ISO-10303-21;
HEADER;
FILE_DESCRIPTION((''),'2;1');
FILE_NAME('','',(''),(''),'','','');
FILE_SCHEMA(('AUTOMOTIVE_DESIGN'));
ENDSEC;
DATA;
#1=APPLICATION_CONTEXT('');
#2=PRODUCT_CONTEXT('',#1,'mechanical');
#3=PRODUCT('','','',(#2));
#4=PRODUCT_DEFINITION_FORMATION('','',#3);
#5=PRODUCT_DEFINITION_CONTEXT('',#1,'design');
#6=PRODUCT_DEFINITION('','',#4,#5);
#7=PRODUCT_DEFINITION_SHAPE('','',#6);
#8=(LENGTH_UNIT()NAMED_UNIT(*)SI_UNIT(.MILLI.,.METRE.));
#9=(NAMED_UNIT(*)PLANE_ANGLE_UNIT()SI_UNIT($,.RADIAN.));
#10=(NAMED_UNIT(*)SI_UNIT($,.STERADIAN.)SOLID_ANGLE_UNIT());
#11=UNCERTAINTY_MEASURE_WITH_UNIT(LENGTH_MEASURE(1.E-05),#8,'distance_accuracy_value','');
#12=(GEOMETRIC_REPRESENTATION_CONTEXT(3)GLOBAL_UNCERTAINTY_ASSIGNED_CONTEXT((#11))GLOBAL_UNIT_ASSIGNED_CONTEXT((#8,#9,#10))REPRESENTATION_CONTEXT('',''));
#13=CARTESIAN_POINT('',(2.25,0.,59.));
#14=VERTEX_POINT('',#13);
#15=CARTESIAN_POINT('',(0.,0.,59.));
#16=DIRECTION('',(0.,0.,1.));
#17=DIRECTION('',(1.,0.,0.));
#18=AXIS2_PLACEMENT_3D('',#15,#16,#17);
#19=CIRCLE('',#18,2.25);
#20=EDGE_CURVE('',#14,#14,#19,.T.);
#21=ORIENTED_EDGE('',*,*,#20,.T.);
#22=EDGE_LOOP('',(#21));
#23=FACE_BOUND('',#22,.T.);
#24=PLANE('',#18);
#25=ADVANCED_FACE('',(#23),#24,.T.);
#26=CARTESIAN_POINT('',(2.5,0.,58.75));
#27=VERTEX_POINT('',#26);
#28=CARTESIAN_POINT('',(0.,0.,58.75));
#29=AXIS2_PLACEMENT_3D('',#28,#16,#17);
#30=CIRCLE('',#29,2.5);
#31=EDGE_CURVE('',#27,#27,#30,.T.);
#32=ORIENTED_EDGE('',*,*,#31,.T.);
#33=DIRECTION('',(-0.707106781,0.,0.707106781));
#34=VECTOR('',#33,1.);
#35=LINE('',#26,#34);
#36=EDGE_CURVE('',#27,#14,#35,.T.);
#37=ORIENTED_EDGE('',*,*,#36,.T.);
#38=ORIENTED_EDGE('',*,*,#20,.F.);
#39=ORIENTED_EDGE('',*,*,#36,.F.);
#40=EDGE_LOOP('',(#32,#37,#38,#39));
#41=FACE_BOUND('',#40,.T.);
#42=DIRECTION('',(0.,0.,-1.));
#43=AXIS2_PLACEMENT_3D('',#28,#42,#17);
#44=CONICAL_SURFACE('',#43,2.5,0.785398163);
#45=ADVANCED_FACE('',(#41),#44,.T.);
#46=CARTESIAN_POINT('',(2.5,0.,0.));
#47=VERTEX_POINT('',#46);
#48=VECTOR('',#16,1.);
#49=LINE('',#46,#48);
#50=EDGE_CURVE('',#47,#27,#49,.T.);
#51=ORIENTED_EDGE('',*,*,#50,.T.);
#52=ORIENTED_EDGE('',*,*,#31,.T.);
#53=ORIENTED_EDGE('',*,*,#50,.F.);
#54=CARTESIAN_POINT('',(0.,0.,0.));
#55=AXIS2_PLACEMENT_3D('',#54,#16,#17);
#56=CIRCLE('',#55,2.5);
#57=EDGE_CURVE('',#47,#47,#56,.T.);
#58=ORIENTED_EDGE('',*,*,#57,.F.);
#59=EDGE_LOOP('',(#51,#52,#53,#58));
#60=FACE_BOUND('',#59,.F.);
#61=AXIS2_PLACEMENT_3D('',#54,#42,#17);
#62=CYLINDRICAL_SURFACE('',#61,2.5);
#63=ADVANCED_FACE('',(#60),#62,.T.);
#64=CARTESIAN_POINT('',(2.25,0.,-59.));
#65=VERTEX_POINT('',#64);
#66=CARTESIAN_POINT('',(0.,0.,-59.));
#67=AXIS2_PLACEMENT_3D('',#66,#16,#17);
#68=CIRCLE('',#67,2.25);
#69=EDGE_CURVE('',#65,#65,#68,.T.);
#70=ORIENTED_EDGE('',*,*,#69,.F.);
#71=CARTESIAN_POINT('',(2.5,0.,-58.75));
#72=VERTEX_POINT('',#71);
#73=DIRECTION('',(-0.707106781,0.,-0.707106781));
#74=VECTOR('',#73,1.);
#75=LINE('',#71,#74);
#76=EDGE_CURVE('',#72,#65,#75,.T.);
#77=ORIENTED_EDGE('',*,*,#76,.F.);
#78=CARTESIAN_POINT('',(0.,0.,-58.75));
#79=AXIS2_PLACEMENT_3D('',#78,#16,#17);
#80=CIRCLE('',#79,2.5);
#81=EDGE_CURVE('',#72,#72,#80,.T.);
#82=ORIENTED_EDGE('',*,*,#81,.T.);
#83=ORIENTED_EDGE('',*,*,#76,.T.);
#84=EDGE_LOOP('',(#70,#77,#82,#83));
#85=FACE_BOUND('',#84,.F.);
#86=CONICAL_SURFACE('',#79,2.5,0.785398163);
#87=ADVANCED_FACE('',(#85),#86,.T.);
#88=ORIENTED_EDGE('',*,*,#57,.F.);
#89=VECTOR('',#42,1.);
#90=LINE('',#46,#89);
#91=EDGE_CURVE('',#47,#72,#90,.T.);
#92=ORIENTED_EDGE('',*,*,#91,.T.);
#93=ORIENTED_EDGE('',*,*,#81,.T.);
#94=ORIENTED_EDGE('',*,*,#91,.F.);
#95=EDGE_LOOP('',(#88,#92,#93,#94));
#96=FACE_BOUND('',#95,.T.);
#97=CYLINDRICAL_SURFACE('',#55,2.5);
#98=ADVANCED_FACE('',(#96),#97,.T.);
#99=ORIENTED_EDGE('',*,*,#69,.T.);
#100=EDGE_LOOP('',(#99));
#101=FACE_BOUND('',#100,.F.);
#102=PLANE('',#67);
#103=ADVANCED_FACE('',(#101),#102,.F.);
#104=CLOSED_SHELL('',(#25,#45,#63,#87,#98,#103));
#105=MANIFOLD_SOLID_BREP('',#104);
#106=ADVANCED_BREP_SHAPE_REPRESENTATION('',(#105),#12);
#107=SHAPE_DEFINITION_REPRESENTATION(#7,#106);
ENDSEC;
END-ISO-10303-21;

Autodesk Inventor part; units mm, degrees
ref_plane "YZ Plane" through (0, 0, 0) normal (1, 0, 0) x (0, 1, 0)
ref_plane "XZ Plane" through (0, 0, 0) normal (0, 1, 0) x (-1, 0, 0)
ref_plane "XY Plane" through (0, 0, 0) normal (0, 0, 1) x (1, 0, 0)
sketch "Sketch1" plane through (0, 0, 0) normal (0, 0, 1) x (1, 0, 0)
  circle A0 centre (0, 0) radius 2.5
  dimension "d0" = 5
extrude "Extrusion1" add sketch "Sketch1" along normal mid plane 118
chamfer "Chamfer1" distance 0.25 angle 45 2 edges at (-2.5, 0, 59) (-2.5, 0, -59)
thread "Thread1" size "M5x0.8" class "6g" standard "ANSI Metric M Profile" length 30
thread "Thread2" size "M5x0.8" class "6g" standard "ANSI Metric M Profile" length 30
properties part number "TU-003" material "Stainless Steel"
